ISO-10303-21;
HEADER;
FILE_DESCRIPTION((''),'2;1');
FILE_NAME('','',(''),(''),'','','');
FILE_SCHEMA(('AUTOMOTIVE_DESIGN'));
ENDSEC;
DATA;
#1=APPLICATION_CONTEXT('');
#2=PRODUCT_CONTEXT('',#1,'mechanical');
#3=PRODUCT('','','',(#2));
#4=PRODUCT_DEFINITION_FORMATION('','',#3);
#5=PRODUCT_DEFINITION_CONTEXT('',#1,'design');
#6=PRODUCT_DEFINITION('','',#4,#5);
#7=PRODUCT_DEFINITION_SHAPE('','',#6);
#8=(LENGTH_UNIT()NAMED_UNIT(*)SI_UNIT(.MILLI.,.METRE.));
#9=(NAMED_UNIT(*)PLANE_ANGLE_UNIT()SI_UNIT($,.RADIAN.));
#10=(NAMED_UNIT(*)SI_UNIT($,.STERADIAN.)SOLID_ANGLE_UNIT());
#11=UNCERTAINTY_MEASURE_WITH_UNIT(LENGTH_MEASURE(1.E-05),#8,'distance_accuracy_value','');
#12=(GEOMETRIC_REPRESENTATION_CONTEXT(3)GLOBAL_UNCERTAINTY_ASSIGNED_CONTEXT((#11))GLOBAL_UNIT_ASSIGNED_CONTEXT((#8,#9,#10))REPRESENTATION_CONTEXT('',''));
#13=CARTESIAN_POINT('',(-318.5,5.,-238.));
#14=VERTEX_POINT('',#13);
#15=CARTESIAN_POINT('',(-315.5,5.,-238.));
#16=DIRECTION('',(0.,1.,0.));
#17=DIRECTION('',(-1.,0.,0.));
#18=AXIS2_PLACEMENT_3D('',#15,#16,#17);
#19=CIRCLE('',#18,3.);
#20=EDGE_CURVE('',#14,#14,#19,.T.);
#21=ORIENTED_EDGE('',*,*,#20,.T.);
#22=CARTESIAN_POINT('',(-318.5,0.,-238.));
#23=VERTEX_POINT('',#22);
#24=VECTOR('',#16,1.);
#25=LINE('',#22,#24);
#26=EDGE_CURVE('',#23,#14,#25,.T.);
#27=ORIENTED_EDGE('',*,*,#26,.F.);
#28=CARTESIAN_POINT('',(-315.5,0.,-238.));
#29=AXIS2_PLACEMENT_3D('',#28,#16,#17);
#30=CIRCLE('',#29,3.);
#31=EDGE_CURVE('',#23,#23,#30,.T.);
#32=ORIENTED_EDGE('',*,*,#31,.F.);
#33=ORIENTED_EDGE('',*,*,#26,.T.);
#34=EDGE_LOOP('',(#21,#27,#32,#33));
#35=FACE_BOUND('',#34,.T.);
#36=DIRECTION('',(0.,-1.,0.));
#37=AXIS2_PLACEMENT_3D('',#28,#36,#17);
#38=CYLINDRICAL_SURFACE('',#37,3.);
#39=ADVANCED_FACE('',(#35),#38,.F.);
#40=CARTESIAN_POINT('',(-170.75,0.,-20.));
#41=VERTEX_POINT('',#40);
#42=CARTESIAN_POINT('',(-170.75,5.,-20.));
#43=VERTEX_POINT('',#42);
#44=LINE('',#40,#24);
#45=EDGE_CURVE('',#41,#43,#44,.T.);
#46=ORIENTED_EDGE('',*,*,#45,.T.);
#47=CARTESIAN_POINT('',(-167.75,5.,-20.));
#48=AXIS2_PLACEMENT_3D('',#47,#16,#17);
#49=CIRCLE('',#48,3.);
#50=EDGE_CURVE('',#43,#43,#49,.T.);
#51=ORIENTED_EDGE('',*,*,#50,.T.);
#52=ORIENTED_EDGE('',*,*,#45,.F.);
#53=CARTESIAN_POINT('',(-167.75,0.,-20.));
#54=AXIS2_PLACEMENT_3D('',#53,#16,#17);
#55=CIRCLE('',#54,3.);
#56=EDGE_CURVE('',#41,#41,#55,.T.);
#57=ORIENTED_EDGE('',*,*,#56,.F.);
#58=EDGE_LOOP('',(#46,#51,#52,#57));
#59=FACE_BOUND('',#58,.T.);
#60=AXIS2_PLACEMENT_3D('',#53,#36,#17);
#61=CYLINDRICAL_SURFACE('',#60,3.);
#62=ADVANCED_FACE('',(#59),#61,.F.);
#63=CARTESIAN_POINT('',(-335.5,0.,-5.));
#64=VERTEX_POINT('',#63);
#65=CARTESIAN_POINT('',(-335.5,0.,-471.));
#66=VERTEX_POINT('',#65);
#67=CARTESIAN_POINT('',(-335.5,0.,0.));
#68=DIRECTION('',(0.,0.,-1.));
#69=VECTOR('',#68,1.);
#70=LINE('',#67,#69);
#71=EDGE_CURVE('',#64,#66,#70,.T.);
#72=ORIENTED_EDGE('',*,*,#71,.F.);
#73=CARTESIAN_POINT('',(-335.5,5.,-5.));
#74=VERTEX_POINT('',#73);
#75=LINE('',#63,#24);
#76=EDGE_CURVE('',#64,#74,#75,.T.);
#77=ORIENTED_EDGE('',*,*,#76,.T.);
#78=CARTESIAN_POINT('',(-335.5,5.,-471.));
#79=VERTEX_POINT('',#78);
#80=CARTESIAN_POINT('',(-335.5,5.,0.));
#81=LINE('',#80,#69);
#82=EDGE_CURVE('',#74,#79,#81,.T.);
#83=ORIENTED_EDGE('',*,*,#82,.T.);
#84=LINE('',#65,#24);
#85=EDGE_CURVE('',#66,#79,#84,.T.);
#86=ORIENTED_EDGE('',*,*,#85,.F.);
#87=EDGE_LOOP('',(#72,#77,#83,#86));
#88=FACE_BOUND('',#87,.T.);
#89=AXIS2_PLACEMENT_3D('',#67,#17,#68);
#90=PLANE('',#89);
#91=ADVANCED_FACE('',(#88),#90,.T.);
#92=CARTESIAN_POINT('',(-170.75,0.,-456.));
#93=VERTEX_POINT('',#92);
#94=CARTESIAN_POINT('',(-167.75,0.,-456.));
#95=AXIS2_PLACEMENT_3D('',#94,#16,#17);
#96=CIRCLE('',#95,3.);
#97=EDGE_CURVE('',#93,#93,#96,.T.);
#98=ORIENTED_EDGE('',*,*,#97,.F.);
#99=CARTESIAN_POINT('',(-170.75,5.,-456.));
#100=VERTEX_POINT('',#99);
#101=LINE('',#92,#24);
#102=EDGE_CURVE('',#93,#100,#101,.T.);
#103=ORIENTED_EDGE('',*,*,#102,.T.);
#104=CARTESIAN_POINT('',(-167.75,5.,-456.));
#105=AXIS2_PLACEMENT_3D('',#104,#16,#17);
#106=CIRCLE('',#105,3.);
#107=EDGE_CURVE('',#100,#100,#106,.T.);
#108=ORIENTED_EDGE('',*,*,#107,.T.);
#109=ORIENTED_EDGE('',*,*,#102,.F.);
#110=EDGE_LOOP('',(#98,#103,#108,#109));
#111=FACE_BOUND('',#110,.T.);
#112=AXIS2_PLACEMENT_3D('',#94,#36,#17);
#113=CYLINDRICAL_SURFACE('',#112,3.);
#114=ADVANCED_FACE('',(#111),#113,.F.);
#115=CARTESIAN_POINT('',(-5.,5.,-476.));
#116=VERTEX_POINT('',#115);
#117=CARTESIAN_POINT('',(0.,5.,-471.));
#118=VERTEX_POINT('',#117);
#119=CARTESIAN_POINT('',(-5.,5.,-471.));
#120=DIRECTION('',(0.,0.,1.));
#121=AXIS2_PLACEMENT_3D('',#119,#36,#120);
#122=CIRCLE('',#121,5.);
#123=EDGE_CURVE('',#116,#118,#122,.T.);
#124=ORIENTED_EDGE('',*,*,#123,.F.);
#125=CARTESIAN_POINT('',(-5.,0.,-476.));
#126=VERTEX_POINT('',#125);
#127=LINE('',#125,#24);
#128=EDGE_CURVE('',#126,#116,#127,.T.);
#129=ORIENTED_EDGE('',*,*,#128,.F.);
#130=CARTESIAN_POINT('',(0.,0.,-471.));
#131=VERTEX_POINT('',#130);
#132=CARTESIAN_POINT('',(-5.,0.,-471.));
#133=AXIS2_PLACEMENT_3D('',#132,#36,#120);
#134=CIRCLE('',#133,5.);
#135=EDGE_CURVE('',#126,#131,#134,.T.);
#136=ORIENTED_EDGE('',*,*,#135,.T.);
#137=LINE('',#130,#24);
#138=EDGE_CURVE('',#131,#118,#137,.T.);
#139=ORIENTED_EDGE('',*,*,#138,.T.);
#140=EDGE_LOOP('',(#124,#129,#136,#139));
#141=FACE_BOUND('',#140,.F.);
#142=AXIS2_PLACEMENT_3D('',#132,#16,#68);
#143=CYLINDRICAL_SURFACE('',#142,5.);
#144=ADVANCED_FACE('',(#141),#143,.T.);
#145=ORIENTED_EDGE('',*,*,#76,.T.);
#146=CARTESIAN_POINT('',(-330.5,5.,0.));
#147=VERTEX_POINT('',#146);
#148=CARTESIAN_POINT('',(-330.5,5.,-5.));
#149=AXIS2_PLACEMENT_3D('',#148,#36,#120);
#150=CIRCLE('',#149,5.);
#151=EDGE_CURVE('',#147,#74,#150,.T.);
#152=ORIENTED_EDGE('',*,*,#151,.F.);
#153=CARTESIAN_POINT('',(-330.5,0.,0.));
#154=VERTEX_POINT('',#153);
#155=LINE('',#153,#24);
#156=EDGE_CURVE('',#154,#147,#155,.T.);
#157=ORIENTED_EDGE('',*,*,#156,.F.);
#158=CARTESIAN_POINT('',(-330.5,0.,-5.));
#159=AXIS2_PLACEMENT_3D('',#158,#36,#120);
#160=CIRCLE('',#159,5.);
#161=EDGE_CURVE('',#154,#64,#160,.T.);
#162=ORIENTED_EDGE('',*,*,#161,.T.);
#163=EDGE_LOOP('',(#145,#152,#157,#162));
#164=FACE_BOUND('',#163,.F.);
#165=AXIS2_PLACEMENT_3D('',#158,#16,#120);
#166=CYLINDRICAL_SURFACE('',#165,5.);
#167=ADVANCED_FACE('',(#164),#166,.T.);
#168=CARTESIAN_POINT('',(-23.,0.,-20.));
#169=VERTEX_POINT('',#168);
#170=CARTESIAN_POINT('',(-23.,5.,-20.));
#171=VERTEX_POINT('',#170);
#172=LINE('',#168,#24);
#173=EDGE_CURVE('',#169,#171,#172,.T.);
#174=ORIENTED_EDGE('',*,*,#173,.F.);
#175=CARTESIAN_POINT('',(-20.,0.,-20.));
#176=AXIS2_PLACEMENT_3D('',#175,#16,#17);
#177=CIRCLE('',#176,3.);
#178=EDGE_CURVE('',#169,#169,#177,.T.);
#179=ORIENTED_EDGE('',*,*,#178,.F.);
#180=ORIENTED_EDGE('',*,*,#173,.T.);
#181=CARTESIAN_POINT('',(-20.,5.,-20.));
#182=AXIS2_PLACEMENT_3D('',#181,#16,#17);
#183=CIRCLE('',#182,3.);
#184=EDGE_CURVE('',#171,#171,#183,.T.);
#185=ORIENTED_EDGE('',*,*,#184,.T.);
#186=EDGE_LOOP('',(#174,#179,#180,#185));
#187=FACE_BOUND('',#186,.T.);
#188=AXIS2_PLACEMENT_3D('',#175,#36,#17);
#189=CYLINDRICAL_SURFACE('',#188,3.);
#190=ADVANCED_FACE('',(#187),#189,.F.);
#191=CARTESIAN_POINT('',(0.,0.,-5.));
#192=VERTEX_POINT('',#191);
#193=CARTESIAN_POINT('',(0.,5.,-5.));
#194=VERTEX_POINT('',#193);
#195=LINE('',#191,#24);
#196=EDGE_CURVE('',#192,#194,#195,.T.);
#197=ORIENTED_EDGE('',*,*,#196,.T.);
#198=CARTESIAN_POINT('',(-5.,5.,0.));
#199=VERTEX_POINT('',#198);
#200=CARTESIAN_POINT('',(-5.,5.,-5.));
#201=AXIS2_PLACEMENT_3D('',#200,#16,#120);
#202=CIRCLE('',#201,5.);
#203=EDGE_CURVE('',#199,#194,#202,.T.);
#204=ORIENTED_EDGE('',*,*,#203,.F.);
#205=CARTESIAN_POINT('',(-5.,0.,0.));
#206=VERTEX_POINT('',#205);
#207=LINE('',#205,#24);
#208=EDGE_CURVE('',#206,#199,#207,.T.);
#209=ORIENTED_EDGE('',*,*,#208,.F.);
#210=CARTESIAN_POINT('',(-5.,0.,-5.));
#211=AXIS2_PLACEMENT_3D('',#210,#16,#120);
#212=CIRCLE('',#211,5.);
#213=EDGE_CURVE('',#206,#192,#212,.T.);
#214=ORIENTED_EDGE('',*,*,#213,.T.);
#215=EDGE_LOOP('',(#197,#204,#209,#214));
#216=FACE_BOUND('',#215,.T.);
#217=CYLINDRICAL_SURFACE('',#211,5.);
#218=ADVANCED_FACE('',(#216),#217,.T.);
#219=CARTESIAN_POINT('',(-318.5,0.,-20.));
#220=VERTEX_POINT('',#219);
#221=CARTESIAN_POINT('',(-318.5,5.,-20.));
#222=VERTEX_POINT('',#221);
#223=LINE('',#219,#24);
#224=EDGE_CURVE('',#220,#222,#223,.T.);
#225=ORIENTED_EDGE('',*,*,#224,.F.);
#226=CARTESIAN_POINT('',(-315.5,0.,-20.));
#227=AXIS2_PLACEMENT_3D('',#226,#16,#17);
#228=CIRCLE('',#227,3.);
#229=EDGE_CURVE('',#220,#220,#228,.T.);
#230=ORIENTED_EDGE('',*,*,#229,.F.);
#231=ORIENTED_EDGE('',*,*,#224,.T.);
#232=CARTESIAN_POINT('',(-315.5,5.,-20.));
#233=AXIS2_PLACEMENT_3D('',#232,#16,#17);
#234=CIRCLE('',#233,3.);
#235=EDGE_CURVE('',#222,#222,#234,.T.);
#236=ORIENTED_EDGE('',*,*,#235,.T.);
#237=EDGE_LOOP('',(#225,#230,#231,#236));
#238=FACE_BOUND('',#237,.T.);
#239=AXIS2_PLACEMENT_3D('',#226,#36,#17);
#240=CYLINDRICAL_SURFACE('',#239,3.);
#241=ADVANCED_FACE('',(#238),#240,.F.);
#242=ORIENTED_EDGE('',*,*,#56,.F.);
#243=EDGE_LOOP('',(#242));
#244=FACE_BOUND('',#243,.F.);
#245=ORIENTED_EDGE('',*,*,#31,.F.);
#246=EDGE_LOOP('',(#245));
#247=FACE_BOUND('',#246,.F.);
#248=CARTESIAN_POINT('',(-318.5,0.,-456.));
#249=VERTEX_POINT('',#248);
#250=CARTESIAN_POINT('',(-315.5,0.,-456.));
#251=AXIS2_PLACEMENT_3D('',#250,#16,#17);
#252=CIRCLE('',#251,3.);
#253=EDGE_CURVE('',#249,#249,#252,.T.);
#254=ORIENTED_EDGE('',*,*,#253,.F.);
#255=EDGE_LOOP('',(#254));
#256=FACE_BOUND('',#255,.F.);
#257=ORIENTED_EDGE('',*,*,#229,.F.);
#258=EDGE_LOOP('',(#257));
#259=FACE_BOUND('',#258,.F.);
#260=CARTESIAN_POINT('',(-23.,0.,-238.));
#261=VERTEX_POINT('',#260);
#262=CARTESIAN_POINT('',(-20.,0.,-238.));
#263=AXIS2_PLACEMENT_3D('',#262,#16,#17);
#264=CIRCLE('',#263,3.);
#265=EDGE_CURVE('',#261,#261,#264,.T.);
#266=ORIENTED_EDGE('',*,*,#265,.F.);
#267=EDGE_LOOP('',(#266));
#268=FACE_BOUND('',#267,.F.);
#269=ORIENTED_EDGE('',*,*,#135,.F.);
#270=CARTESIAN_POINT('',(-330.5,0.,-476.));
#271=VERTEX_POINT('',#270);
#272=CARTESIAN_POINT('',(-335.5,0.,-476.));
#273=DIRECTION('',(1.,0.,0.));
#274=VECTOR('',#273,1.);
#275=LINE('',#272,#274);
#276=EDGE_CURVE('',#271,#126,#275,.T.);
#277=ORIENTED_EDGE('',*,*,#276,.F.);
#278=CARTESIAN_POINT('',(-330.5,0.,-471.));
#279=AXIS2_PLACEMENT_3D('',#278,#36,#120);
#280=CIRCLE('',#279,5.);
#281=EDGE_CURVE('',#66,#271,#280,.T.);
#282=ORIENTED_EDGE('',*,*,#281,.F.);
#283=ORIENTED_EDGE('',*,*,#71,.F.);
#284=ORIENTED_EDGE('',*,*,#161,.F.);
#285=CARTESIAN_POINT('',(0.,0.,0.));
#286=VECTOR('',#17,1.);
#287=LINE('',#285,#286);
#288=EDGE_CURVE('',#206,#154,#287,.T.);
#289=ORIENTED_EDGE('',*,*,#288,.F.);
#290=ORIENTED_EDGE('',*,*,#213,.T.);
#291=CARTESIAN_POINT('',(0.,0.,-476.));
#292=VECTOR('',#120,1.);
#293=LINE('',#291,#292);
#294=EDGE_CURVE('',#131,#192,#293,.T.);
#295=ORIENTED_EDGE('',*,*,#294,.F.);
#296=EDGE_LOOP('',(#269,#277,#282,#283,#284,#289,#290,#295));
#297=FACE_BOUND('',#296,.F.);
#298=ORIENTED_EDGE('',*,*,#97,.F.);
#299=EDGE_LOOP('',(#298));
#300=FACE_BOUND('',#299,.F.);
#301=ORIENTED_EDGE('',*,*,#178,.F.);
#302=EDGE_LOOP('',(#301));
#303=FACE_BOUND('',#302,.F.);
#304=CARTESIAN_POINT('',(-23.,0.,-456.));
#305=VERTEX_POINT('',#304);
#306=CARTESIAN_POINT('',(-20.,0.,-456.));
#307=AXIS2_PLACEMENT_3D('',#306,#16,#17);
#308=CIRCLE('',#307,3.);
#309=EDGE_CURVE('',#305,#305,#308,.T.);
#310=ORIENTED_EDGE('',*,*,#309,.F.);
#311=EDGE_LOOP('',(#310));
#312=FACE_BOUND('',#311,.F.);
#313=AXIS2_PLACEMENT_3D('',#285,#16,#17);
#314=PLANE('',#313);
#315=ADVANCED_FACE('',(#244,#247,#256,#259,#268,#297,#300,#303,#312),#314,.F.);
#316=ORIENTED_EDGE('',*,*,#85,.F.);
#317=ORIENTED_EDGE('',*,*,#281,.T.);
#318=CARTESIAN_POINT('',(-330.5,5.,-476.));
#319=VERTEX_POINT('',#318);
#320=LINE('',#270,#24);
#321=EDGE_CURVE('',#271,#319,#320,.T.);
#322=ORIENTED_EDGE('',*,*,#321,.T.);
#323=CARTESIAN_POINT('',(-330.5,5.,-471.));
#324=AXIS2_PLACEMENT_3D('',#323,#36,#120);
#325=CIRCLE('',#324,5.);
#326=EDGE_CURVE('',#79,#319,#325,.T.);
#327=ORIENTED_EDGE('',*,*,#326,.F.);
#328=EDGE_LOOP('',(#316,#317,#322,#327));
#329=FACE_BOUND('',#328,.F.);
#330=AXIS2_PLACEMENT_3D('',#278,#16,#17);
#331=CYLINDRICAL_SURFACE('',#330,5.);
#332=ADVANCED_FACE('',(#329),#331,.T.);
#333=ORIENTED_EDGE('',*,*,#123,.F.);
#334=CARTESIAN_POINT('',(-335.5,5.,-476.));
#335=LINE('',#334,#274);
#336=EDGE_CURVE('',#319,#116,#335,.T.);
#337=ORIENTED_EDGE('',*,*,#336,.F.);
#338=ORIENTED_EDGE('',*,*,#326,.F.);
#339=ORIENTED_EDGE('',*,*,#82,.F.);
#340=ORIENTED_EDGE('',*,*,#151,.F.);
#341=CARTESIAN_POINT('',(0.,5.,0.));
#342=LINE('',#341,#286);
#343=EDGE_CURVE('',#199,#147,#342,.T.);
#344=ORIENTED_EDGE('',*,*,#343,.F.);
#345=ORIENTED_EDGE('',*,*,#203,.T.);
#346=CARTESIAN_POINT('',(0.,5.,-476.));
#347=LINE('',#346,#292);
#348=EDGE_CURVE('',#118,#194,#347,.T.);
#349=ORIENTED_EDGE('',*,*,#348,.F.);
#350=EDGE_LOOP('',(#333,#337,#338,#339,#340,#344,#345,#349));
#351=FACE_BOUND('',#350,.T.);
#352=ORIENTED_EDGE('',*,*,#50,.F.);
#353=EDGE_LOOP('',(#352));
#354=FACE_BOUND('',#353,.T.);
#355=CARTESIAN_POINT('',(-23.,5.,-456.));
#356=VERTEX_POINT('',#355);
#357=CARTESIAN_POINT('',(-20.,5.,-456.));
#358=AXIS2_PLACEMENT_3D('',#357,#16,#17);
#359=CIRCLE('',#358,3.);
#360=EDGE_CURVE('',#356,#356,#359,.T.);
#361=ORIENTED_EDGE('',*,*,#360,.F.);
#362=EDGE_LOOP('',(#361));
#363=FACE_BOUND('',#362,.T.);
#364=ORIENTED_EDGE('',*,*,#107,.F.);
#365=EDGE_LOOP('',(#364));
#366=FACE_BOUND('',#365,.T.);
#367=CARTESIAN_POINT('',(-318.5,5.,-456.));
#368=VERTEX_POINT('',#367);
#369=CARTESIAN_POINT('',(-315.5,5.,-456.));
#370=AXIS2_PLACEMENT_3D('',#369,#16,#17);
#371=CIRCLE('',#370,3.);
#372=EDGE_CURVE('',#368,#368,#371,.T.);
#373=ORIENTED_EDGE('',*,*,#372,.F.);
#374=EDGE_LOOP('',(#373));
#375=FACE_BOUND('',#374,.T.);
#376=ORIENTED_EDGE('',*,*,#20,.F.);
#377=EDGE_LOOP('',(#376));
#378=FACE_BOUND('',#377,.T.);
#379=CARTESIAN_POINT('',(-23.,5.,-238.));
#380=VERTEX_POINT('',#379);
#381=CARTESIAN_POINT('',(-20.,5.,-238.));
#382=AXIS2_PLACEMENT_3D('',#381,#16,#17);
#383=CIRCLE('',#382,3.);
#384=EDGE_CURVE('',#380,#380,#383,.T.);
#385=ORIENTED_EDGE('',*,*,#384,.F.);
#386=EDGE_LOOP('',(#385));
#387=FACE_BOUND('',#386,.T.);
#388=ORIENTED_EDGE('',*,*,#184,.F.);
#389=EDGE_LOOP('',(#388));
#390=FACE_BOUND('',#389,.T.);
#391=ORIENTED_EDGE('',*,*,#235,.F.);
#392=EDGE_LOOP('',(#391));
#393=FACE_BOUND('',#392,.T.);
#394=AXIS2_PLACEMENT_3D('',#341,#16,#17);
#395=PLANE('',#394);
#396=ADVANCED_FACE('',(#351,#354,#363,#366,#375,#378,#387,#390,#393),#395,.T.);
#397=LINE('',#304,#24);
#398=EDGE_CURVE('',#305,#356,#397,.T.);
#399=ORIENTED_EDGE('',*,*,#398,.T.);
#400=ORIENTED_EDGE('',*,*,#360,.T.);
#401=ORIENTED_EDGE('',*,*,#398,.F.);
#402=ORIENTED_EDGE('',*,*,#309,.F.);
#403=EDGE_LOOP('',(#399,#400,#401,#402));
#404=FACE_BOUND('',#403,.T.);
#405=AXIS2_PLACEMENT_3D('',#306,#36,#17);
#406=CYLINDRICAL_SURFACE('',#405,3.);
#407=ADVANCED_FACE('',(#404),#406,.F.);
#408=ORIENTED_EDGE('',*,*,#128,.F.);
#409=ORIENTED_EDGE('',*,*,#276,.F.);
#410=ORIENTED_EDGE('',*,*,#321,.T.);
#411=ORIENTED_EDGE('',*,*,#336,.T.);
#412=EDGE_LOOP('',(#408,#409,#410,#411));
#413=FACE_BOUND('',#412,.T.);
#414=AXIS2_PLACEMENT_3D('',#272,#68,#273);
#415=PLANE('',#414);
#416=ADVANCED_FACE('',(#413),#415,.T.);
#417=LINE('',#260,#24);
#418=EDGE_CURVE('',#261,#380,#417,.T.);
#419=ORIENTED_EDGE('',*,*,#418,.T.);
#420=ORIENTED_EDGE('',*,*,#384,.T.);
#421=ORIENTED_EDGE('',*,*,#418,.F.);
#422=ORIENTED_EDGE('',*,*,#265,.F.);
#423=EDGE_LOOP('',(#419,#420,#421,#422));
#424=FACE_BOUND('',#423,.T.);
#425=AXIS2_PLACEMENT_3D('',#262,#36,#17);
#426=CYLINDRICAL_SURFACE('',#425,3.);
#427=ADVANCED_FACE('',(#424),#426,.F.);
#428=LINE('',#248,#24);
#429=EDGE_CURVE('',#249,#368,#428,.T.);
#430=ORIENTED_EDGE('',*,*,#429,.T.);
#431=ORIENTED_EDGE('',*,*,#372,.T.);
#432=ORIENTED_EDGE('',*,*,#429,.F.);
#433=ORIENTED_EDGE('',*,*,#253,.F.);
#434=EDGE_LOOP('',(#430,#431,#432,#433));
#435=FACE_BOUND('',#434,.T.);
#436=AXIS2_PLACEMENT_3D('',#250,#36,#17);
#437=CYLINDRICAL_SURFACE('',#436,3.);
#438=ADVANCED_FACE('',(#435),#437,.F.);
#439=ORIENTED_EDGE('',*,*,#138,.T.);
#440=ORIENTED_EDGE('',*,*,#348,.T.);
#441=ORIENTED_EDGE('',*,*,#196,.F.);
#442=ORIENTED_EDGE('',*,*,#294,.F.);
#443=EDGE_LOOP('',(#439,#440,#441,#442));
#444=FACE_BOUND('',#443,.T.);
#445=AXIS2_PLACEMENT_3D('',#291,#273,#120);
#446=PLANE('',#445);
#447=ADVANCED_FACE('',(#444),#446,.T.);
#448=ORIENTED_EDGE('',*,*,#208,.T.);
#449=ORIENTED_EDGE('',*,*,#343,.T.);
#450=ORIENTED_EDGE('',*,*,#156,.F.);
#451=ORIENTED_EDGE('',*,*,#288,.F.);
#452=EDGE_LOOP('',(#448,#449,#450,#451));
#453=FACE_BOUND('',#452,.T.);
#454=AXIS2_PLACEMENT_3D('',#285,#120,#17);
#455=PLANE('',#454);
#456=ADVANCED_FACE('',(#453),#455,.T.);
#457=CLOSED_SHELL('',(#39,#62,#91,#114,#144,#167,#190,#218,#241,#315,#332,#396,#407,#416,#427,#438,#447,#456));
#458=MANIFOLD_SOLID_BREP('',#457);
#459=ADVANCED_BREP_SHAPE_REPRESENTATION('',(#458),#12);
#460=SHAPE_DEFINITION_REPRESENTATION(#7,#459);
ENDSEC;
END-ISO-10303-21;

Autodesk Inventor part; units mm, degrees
ref_plane "YZ Plane" through (0, 0, 0) normal (1, 0, 0) x (0, 1, 0)
ref_plane "XZ Plane" through (0, 0, 0) normal (0, 1, 0) x (-1, 0, 0)
ref_plane "XY Plane" through (0, 0, 0) normal (0, 0, 1) x (1, 0, 0)
sketch "Sketch1" plane through (0, 0, 0) normal (0, 1, 0) x (-1, 0, 0)
  line L0 (0, 0) -> (335.5, 0)
  line L1 (335.5, 0) -> (335.5, -476)
  line L2 (335.5, -476) -> (0, -476)
  line L3 (0, -476) -> (0, 0)
  circle A0 centre (315.5, -20) radius 3
  circle A1 centre (315.5, -456) radius 3
  circle A2 centre (20, -20) radius 3
  circle A3 centre (20, -456) radius 3
  circle A4 centre (167.75, -20) radius 3
  circle A5 centre (167.75, -456) radius 3
  circle A6 centre (315.5, -238) radius 3
  circle A7 centre (20, -238) radius 3
  point P0 (167.75, 0)
  point P1 (167.75, -476)
  point P2 (0, -238)
  point P3 (335.5, -238)
  dimension "d0" = 335.5
  dimension "d1" = 476
  dimension "d2" = 6
  dimension "d3" = 20
  dimension "d4" = 20
  dimension "d7" = 436
  dimension "d10" = 295.5
  dimension "d13" = 6
  dimension "d14" = 6
  dimension "d15" = 6
  dimension "d16" = 6
extrude "Extrusion1" add sketch "Sketch1" along normal blind 5
fillet "Fillet1" radius 5 4 edges at (0, 2.5, 0) (-335.5, 2.5, 0) (-335.5, 2.5, -476) (0, 2.5, -476)
equation "\"d14\" = d2"
properties part number "BED_PLATE_V2"
